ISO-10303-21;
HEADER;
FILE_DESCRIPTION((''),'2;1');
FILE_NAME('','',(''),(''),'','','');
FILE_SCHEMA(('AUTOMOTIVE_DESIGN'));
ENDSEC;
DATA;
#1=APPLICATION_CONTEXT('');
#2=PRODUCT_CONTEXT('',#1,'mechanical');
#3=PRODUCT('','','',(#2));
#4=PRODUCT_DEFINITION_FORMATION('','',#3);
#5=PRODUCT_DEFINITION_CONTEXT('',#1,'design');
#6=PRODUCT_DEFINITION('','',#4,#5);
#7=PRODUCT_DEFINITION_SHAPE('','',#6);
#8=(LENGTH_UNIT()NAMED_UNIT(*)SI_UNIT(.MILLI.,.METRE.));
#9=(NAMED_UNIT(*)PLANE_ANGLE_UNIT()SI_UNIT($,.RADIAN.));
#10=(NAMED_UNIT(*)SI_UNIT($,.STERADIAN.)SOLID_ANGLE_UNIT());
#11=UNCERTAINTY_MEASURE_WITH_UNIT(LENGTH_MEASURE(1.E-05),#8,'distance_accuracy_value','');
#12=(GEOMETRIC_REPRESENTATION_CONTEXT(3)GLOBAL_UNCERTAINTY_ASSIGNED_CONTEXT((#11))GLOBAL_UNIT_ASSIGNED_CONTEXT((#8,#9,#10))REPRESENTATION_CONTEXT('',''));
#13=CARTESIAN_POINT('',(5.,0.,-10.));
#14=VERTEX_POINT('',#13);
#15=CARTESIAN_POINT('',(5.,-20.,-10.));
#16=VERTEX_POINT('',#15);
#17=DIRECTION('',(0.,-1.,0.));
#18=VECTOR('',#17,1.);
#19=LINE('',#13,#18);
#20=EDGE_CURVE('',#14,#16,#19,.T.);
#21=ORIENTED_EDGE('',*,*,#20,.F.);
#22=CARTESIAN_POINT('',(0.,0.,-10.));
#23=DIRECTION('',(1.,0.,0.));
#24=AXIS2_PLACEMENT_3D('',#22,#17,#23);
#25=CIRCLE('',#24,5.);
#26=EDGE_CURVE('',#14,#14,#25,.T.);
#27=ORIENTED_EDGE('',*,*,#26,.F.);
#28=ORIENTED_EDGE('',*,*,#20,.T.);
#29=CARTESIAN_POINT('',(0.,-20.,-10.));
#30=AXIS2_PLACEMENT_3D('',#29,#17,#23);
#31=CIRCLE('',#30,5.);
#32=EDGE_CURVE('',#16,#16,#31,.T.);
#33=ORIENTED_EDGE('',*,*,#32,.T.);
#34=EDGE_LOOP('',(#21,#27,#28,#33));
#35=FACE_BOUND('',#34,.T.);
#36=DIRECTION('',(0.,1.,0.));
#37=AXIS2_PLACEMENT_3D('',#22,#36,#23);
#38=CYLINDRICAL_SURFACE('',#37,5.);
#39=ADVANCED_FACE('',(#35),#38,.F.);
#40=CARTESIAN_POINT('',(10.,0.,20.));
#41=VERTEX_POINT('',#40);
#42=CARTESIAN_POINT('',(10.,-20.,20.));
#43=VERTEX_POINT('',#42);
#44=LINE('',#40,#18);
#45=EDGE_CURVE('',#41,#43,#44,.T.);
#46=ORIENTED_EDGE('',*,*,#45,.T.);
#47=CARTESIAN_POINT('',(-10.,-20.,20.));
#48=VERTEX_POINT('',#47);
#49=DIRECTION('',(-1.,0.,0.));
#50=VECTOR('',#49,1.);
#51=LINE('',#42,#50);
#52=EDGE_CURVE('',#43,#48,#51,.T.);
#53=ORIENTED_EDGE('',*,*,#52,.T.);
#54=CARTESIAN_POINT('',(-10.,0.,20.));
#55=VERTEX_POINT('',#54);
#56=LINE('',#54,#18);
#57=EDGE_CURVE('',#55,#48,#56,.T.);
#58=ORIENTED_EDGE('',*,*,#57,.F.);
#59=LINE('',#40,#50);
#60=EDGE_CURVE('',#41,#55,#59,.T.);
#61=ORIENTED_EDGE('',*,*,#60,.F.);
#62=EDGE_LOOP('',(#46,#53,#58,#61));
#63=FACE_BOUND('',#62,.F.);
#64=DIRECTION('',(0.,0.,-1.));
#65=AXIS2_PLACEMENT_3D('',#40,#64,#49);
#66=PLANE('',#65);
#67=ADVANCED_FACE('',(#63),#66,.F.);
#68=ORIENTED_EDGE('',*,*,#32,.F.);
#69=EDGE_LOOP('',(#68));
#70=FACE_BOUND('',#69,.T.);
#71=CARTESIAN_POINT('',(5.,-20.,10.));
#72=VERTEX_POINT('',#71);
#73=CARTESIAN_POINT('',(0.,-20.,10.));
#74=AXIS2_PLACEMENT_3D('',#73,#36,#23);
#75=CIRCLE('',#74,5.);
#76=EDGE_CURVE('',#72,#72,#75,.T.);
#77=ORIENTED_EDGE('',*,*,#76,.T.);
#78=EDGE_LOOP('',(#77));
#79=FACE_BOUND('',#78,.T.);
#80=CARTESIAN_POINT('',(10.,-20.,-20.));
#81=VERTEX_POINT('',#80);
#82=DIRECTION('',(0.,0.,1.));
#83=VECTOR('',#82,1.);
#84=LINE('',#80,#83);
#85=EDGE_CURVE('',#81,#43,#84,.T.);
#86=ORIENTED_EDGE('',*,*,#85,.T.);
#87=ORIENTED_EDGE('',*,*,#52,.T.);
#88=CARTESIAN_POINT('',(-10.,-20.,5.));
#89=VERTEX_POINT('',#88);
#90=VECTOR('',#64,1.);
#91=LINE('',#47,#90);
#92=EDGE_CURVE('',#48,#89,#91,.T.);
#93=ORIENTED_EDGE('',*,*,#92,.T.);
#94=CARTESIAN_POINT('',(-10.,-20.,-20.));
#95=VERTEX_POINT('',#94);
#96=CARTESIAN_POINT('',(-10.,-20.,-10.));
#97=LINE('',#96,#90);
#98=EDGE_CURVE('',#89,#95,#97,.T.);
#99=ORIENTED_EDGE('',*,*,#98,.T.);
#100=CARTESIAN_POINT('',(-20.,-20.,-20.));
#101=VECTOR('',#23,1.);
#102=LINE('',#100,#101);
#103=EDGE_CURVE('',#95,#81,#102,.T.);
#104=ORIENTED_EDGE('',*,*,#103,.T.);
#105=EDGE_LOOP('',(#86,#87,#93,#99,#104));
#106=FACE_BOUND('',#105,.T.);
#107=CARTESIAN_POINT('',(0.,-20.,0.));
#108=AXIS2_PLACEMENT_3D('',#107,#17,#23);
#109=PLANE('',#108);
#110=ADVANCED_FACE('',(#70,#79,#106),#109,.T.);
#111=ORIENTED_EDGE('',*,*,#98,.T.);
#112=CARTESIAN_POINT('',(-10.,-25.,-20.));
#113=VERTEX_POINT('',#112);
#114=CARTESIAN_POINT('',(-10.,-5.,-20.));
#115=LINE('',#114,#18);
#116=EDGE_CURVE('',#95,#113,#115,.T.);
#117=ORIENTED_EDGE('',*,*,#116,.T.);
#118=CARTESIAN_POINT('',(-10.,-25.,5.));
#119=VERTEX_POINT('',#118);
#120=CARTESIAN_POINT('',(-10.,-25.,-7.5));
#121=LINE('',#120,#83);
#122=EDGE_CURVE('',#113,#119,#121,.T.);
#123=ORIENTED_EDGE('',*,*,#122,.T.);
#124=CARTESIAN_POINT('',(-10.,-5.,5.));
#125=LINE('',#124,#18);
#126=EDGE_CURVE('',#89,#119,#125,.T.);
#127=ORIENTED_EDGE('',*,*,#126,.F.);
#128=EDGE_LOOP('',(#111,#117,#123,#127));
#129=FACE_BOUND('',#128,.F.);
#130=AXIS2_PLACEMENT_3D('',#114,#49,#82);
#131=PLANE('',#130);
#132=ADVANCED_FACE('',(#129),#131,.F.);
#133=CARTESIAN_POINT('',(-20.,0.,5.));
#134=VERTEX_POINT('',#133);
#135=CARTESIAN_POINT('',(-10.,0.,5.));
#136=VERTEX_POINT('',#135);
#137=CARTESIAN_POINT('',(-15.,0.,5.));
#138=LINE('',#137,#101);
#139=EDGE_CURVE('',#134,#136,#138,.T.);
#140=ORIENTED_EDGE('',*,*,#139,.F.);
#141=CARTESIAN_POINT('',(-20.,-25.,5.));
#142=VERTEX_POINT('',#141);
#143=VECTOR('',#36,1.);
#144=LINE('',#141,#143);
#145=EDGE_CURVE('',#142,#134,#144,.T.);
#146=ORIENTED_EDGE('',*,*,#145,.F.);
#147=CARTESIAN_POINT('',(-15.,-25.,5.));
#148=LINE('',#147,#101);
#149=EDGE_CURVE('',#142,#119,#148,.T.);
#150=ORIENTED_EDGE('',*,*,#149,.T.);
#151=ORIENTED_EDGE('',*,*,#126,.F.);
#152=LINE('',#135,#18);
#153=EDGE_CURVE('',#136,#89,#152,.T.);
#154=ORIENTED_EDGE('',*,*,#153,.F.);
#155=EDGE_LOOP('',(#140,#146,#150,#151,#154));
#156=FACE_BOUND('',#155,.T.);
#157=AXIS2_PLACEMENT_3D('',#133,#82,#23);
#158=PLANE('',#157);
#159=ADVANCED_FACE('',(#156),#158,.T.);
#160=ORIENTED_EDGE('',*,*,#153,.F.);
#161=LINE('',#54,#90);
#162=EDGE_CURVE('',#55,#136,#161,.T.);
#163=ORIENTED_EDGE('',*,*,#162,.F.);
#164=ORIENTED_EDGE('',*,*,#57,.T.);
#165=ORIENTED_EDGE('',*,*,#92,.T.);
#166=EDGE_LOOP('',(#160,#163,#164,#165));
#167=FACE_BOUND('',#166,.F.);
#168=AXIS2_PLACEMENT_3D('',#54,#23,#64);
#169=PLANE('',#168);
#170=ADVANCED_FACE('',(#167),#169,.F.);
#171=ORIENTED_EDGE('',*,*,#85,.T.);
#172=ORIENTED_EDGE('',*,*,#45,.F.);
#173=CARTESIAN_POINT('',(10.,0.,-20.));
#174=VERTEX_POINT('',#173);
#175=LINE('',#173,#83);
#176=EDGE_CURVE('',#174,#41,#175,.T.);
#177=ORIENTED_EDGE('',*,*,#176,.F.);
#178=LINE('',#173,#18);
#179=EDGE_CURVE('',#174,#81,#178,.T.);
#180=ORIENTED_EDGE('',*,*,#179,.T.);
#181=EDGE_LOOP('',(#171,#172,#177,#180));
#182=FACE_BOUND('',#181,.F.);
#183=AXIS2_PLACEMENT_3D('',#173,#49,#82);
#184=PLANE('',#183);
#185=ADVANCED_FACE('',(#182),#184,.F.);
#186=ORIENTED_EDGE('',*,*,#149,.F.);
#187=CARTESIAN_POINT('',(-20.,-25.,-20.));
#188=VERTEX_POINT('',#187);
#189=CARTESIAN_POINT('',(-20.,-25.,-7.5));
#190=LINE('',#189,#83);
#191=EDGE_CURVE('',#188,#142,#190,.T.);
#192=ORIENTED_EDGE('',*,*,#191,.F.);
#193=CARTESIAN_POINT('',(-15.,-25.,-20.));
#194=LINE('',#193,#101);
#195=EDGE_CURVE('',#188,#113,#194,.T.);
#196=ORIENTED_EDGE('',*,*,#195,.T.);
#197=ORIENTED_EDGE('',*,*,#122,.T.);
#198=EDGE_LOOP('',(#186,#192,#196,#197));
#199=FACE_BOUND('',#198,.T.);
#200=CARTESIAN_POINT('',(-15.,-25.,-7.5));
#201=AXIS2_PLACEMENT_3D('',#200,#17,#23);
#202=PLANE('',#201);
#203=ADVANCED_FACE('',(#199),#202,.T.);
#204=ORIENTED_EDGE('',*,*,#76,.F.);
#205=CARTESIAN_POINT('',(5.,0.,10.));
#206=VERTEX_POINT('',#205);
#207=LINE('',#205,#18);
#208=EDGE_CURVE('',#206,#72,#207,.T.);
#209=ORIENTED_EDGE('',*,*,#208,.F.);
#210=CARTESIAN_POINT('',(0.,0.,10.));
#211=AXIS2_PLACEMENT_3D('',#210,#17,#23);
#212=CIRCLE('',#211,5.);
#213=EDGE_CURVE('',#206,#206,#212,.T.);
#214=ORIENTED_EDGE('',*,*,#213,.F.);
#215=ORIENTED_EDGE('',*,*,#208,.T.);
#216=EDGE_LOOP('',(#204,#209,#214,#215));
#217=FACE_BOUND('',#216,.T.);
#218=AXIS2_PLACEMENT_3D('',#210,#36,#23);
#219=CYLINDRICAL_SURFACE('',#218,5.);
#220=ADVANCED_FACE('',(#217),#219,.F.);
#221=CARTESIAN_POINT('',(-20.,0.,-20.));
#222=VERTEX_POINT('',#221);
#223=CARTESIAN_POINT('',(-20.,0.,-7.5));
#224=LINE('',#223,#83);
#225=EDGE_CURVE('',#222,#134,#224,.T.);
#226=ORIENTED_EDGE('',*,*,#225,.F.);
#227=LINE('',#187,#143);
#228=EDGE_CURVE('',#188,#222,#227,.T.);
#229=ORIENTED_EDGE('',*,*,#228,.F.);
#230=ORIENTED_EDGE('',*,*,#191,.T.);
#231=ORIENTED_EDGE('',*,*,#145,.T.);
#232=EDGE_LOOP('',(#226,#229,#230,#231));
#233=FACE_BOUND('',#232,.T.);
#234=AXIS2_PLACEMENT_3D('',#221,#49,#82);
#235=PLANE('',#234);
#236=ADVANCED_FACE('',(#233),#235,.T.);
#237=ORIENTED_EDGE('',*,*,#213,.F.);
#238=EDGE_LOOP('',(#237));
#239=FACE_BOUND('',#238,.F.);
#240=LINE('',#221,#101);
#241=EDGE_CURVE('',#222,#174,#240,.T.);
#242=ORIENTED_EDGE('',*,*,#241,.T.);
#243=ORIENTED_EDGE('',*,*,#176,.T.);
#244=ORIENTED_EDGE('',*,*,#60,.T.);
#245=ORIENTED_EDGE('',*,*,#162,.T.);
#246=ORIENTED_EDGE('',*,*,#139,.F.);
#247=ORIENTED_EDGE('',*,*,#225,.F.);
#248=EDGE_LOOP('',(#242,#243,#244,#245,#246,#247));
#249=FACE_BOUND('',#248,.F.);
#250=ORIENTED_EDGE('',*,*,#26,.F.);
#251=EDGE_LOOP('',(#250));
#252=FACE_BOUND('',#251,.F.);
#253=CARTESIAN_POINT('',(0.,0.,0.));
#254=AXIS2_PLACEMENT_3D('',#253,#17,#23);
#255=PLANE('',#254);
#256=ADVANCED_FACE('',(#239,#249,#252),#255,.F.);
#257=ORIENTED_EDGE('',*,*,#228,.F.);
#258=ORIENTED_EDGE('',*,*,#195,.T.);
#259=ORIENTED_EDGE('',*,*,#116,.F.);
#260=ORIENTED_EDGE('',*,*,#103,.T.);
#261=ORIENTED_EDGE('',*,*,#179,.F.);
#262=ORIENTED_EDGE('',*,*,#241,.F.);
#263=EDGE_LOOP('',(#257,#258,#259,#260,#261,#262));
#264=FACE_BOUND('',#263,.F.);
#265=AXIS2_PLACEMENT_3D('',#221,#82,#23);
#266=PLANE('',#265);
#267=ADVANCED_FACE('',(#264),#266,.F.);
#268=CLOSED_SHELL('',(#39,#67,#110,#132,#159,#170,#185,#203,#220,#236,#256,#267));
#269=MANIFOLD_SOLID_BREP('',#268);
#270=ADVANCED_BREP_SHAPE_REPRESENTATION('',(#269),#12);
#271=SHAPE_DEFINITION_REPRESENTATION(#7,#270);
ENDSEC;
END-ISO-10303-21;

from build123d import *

# Parameters (mm, degrees)
F0_W      = 10
F0_H      = 25
F1_DEPTH  = 5
F0_R      = 5
F1_FACE_W = 10
F1_FACE_H = 25
F2_DEPTH  = 20
F3_R      = 5
F4_DEPTH  = 68.9


with BuildPart() as f1:
    # F0 (on Front) → F1 (new body)
    with BuildSketch(Plane.XZ):
        with Locations((-15, -7.5)):
            Rectangle(F0_W, F0_H)
    extrude(amount=F1_DEPTH)

    # F0 (on Front) + F1_face (on face) → F2 (join)
    with BuildSketch(Plane.XZ):
        Polygon((10, -20), (10, 20), (-10, 20), (-10, 5), (-10, -20), align=None)
        with Locations((0, -10)):
            Circle(F0_R, mode=Mode.SUBTRACT)
        with Locations((-15, -7.5)):
            Rectangle(F0_W, F0_H)
    with BuildSketch(Plane(origin=(-15, -5, -7.5), x_dir=(1, 0, 0), z_dir=(0, -1, 0))):
        Rectangle(F1_FACE_W, F1_FACE_H)
    extrude(amount=F2_DEPTH)

    # F3 (on Front) → F4 (cut)
    with BuildSketch(Plane.XZ):
        with Locations((0, 10)):
            Circle(F3_R)
    extrude(amount=F4_DEPTH, mode=Mode.SUBTRACT)


solid = f1.part
